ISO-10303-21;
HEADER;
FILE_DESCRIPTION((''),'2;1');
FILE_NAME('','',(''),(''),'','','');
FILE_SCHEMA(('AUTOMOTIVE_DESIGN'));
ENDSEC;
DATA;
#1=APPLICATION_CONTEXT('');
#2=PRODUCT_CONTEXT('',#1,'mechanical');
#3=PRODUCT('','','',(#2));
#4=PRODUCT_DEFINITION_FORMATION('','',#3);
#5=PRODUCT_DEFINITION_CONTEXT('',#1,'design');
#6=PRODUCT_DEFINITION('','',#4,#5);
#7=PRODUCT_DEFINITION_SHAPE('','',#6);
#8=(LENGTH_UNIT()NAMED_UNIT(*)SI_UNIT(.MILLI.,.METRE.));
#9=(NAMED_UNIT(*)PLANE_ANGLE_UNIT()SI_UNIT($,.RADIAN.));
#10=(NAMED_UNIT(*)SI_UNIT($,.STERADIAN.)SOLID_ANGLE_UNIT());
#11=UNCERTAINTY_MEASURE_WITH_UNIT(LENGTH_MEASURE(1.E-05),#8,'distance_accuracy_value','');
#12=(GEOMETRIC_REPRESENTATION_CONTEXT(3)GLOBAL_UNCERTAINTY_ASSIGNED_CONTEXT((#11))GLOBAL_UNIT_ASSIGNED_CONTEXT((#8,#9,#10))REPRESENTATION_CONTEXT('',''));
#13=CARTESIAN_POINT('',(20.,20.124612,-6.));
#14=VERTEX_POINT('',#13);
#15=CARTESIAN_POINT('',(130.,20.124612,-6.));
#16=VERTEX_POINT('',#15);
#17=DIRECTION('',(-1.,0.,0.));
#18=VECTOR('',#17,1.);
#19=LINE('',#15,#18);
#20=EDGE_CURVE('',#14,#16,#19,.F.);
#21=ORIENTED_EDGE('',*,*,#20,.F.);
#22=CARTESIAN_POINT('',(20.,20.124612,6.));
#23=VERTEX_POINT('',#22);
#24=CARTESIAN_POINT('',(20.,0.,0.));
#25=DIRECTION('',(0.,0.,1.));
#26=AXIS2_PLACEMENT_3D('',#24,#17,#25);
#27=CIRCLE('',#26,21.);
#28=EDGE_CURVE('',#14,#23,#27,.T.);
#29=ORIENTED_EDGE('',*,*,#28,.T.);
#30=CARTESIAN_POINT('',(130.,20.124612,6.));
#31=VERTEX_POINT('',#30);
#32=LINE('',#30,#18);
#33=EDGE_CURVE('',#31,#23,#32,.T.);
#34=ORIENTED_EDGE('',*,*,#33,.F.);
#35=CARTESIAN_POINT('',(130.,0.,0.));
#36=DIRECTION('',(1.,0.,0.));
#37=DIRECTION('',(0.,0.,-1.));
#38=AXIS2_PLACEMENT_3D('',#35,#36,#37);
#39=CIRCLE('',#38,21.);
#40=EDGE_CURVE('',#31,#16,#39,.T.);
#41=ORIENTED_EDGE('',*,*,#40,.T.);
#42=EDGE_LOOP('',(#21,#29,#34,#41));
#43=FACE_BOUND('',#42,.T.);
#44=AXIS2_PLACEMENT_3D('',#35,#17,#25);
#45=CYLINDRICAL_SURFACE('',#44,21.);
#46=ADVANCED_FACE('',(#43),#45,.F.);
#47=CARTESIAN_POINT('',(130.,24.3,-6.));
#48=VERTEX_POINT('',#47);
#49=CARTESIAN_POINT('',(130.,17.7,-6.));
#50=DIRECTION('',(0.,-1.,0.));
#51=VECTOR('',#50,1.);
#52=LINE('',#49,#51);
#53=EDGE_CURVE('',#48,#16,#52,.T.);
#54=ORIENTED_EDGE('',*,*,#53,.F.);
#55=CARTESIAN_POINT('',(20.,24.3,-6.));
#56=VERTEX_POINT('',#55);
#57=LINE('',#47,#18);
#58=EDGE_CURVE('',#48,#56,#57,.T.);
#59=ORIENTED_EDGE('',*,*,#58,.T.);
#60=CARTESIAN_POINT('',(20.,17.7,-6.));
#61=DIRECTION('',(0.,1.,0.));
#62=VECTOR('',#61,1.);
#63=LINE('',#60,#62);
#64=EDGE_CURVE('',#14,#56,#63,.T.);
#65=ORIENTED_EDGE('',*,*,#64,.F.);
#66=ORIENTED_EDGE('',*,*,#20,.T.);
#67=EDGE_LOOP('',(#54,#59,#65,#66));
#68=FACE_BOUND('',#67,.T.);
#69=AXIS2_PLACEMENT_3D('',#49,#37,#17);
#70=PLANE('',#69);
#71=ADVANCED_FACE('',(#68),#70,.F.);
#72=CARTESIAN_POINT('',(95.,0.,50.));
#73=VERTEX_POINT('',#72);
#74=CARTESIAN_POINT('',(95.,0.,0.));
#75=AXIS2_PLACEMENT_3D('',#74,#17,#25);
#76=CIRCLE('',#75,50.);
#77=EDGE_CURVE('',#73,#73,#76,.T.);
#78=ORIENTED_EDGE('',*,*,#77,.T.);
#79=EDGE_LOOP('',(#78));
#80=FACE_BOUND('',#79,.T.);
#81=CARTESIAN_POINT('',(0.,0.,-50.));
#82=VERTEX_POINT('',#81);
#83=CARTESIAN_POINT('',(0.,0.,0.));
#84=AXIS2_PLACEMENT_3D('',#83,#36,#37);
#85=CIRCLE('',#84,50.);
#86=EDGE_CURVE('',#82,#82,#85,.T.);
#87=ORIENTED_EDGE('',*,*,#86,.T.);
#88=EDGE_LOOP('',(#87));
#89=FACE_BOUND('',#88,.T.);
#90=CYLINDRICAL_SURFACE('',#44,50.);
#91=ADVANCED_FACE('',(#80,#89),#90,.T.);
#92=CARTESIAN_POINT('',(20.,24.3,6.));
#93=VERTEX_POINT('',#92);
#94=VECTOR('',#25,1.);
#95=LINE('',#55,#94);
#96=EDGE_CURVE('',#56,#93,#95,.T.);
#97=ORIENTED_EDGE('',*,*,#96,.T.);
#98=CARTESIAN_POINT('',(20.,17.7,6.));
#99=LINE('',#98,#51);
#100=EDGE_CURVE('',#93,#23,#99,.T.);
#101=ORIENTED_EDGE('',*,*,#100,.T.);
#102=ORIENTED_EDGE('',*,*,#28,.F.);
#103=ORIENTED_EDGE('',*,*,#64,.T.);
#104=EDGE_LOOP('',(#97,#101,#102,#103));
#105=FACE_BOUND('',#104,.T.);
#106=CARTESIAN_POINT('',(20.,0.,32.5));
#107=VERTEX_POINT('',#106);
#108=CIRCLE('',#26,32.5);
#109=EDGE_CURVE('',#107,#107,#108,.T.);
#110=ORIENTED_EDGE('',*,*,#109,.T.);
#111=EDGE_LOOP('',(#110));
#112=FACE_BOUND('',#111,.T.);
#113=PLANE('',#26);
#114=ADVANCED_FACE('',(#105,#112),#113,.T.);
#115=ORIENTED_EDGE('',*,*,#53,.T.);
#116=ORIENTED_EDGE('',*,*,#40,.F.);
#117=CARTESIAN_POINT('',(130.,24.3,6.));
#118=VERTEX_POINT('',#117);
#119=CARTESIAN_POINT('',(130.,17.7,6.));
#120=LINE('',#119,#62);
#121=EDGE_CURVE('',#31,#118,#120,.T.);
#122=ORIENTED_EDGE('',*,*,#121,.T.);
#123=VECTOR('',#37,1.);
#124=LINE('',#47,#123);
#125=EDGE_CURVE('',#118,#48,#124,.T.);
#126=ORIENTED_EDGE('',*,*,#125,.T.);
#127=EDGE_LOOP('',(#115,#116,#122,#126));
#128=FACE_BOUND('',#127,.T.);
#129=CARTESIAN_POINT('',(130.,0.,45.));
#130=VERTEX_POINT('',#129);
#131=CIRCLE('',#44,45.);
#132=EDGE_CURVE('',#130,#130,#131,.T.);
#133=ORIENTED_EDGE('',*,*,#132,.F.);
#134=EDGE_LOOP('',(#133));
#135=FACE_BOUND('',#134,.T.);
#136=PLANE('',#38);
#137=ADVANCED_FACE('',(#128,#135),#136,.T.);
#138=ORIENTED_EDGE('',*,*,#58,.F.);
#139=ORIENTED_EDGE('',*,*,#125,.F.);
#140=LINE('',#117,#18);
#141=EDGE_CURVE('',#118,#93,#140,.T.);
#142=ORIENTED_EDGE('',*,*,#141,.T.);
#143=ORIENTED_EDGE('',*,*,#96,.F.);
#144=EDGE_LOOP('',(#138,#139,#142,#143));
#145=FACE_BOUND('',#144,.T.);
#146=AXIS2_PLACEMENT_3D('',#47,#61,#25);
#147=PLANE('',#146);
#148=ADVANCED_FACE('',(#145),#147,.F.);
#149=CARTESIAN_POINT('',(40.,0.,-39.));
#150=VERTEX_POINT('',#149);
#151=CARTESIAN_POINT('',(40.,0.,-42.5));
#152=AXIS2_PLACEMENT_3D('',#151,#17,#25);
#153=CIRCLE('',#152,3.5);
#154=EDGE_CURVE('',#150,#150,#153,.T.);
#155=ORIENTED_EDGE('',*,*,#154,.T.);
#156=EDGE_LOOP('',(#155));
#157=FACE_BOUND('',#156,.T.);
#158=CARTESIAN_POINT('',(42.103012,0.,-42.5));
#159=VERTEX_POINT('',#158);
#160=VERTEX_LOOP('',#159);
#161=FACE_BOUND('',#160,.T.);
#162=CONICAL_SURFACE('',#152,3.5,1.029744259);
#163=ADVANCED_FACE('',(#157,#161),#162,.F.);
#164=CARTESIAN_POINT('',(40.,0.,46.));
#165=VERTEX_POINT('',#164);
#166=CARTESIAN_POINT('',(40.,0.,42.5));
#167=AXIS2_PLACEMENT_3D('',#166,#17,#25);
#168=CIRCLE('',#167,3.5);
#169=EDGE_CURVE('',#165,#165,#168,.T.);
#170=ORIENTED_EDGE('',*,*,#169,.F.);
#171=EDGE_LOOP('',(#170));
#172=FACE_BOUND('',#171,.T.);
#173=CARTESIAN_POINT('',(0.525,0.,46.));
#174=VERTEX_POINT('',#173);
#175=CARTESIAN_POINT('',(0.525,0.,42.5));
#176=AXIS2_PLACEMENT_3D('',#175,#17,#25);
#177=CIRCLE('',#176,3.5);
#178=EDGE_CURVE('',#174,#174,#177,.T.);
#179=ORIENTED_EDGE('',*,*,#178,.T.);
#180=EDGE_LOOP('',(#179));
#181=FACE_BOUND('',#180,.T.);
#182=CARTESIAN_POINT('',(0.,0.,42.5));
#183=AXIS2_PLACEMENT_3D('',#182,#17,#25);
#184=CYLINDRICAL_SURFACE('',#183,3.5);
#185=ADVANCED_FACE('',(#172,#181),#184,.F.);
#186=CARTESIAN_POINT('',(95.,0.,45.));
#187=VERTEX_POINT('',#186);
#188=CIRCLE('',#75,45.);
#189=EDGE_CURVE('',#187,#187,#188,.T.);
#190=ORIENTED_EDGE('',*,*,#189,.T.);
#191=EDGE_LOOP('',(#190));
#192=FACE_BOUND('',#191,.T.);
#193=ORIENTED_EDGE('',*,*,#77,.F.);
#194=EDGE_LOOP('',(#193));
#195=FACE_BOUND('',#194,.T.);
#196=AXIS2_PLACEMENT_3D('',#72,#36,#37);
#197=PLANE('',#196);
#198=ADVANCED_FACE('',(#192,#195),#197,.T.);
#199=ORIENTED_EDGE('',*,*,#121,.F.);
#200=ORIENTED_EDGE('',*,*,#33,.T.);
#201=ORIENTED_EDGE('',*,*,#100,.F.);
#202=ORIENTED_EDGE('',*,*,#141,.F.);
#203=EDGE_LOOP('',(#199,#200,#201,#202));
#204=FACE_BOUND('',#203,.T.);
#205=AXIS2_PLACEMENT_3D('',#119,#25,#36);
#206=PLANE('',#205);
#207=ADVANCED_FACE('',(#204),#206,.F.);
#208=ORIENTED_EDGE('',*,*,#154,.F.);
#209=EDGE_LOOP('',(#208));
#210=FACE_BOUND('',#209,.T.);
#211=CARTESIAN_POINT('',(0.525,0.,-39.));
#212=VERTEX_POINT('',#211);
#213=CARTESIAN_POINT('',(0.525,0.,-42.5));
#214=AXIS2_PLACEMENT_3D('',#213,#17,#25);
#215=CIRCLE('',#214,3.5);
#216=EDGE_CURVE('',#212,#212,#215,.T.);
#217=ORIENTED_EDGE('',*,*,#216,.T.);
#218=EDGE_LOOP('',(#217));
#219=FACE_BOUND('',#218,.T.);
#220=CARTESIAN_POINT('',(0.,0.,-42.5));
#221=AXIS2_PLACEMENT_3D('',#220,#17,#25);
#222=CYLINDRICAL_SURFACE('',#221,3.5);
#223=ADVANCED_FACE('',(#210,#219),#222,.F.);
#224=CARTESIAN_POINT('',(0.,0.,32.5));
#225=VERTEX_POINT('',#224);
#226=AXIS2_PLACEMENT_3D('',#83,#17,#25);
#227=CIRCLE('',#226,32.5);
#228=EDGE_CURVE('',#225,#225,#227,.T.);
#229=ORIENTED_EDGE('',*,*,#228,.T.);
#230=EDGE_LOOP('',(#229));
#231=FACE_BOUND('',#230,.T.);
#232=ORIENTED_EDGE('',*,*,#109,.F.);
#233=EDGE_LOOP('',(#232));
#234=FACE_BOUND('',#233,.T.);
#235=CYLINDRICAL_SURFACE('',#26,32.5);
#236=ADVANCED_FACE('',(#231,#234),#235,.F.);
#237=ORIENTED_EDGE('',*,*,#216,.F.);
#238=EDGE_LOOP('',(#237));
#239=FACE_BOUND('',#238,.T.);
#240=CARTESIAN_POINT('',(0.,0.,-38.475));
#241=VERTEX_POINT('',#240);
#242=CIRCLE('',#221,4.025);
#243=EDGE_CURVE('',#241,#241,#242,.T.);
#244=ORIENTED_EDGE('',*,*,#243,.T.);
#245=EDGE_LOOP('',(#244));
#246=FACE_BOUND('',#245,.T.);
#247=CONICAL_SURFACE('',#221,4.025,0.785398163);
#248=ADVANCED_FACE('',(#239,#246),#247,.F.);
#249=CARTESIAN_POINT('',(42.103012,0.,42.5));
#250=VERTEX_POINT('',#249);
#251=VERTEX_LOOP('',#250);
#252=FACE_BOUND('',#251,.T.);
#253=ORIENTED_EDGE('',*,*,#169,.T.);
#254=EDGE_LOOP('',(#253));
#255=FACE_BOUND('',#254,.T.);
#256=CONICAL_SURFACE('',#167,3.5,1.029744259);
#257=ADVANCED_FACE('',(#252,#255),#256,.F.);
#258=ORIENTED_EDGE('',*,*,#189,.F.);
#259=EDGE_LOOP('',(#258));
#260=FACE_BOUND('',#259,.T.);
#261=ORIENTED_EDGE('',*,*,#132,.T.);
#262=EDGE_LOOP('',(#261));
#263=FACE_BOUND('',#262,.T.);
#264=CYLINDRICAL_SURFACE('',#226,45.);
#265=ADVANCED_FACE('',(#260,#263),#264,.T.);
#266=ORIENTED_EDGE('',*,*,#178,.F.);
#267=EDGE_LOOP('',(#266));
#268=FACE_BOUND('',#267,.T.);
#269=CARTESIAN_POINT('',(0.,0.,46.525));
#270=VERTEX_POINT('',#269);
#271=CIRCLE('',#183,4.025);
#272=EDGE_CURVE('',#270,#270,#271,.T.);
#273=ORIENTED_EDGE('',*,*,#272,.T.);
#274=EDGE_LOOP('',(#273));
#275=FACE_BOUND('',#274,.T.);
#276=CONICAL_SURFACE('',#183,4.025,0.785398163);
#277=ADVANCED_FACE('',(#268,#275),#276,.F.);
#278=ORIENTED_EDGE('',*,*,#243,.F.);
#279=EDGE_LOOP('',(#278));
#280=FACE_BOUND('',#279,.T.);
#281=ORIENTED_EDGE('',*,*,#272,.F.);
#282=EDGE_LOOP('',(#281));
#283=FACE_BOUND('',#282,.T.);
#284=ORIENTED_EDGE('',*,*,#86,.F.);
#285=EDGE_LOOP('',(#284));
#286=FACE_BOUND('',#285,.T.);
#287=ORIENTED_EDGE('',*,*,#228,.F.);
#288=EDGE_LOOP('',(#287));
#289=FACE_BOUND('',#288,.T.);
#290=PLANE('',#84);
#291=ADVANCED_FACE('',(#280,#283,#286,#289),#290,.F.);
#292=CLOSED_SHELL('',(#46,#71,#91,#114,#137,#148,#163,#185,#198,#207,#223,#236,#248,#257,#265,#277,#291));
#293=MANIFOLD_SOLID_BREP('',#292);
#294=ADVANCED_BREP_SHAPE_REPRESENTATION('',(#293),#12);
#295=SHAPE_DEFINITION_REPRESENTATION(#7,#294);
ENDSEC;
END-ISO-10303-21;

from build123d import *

# Parameters (mm, degrees)
SKETCH1_R                       = 50
SKETCH1_R_2                     = 21
BOSS_EXTRUDE1_DEPTH             = 130
CUT_EXTRUDE1_DEPTH              = 148.986485869
CUT_EXTRUDE1_DEPTH_BACK         = 148.986485869
SKETCH2_W                       = 12
SKETCH2_H                       = 6.6
SKETCH3_W                       = 35
SKETCH3_H                       = 5
SKETCH4_R                       = 32.5
CUT_EXTRUDE2_DEPTH              = 20
M8X1_0_TAPPED_HOLE1_D           = 7
M8X1_0_TAPPED_HOLE1_DEPTH       = 40
M8X1_0_TAPPED_HOLE1_CSINK_D     = 8.05
M8X1_0_TAPPED_HOLE1_CSINK_ANGLE = 90
M8X1_0_TAPPED_HOLE1_TIP         = 2.103012167


with BuildPart() as part:
    # Sketch1 → Boss-Extrude1 (new body)
    with BuildSketch(Plane(origin=(0, 0, 0), x_dir=(0, 0, -1), z_dir=(1, 0, 0))):
        Circle(SKETCH1_R)
        Circle(SKETCH1_R_2, mode=Mode.SUBTRACT)
    extrude(amount=BOSS_EXTRUDE1_DEPTH)

    # Sketch2 → Cut-Extrude1 (cut, two sides: drawn at the far end of the back side and taken through both)
    with BuildSketch(Plane.ZY.offset(-CUT_EXTRUDE1_DEPTH_BACK)):
        with Locations((0, 21)):
            Rectangle(SKETCH2_W, SKETCH2_H)
    extrude(amount=CUT_EXTRUDE1_DEPTH + CUT_EXTRUDE1_DEPTH_BACK, mode=Mode.SUBTRACT)

    # Sketch3 → Cut-Revolve1 (revolve, cut)
    with BuildSketch(Plane(origin=(0, 0, 0), x_dir=(1, 0, 0), z_dir=(0, 1, 0))):
        with Locations((112.5, -47.5)):
            Rectangle(SKETCH3_W, SKETCH3_H)
    revolve(axis=Axis((0, 0, 0), (1, 0, 0)), mode=Mode.SUBTRACT)

    # Sketch4 → Cut-Extrude2 (cut)
    with BuildSketch(Plane.ZY):
        Circle(SKETCH4_R)
    extrude(amount=-CUT_EXTRUDE2_DEPTH, mode=Mode.SUBTRACT)

    # M8x1.0 Tapped Hole1
    with Locations(Plane(origin=(0, 0, -42.5), x_dir=(0, 0, -1), z_dir=(-1, 0, 0))):
        with Locations((0, 0), (-85, 0)):
            CounterSinkHole(M8X1_0_TAPPED_HOLE1_D / 2, M8X1_0_TAPPED_HOLE1_CSINK_D / 2, depth=M8X1_0_TAPPED_HOLE1_DEPTH, counter_sink_angle=M8X1_0_TAPPED_HOLE1_CSINK_ANGLE)
            with Locations((0, 0, -(M8X1_0_TAPPED_HOLE1_DEPTH + M8X1_0_TAPPED_HOLE1_TIP / 2))):  # 118° drill point
                Cone(0, M8X1_0_TAPPED_HOLE1_D / 2, M8X1_0_TAPPED_HOLE1_TIP, mode=Mode.SUBTRACT)


solid = part.part
